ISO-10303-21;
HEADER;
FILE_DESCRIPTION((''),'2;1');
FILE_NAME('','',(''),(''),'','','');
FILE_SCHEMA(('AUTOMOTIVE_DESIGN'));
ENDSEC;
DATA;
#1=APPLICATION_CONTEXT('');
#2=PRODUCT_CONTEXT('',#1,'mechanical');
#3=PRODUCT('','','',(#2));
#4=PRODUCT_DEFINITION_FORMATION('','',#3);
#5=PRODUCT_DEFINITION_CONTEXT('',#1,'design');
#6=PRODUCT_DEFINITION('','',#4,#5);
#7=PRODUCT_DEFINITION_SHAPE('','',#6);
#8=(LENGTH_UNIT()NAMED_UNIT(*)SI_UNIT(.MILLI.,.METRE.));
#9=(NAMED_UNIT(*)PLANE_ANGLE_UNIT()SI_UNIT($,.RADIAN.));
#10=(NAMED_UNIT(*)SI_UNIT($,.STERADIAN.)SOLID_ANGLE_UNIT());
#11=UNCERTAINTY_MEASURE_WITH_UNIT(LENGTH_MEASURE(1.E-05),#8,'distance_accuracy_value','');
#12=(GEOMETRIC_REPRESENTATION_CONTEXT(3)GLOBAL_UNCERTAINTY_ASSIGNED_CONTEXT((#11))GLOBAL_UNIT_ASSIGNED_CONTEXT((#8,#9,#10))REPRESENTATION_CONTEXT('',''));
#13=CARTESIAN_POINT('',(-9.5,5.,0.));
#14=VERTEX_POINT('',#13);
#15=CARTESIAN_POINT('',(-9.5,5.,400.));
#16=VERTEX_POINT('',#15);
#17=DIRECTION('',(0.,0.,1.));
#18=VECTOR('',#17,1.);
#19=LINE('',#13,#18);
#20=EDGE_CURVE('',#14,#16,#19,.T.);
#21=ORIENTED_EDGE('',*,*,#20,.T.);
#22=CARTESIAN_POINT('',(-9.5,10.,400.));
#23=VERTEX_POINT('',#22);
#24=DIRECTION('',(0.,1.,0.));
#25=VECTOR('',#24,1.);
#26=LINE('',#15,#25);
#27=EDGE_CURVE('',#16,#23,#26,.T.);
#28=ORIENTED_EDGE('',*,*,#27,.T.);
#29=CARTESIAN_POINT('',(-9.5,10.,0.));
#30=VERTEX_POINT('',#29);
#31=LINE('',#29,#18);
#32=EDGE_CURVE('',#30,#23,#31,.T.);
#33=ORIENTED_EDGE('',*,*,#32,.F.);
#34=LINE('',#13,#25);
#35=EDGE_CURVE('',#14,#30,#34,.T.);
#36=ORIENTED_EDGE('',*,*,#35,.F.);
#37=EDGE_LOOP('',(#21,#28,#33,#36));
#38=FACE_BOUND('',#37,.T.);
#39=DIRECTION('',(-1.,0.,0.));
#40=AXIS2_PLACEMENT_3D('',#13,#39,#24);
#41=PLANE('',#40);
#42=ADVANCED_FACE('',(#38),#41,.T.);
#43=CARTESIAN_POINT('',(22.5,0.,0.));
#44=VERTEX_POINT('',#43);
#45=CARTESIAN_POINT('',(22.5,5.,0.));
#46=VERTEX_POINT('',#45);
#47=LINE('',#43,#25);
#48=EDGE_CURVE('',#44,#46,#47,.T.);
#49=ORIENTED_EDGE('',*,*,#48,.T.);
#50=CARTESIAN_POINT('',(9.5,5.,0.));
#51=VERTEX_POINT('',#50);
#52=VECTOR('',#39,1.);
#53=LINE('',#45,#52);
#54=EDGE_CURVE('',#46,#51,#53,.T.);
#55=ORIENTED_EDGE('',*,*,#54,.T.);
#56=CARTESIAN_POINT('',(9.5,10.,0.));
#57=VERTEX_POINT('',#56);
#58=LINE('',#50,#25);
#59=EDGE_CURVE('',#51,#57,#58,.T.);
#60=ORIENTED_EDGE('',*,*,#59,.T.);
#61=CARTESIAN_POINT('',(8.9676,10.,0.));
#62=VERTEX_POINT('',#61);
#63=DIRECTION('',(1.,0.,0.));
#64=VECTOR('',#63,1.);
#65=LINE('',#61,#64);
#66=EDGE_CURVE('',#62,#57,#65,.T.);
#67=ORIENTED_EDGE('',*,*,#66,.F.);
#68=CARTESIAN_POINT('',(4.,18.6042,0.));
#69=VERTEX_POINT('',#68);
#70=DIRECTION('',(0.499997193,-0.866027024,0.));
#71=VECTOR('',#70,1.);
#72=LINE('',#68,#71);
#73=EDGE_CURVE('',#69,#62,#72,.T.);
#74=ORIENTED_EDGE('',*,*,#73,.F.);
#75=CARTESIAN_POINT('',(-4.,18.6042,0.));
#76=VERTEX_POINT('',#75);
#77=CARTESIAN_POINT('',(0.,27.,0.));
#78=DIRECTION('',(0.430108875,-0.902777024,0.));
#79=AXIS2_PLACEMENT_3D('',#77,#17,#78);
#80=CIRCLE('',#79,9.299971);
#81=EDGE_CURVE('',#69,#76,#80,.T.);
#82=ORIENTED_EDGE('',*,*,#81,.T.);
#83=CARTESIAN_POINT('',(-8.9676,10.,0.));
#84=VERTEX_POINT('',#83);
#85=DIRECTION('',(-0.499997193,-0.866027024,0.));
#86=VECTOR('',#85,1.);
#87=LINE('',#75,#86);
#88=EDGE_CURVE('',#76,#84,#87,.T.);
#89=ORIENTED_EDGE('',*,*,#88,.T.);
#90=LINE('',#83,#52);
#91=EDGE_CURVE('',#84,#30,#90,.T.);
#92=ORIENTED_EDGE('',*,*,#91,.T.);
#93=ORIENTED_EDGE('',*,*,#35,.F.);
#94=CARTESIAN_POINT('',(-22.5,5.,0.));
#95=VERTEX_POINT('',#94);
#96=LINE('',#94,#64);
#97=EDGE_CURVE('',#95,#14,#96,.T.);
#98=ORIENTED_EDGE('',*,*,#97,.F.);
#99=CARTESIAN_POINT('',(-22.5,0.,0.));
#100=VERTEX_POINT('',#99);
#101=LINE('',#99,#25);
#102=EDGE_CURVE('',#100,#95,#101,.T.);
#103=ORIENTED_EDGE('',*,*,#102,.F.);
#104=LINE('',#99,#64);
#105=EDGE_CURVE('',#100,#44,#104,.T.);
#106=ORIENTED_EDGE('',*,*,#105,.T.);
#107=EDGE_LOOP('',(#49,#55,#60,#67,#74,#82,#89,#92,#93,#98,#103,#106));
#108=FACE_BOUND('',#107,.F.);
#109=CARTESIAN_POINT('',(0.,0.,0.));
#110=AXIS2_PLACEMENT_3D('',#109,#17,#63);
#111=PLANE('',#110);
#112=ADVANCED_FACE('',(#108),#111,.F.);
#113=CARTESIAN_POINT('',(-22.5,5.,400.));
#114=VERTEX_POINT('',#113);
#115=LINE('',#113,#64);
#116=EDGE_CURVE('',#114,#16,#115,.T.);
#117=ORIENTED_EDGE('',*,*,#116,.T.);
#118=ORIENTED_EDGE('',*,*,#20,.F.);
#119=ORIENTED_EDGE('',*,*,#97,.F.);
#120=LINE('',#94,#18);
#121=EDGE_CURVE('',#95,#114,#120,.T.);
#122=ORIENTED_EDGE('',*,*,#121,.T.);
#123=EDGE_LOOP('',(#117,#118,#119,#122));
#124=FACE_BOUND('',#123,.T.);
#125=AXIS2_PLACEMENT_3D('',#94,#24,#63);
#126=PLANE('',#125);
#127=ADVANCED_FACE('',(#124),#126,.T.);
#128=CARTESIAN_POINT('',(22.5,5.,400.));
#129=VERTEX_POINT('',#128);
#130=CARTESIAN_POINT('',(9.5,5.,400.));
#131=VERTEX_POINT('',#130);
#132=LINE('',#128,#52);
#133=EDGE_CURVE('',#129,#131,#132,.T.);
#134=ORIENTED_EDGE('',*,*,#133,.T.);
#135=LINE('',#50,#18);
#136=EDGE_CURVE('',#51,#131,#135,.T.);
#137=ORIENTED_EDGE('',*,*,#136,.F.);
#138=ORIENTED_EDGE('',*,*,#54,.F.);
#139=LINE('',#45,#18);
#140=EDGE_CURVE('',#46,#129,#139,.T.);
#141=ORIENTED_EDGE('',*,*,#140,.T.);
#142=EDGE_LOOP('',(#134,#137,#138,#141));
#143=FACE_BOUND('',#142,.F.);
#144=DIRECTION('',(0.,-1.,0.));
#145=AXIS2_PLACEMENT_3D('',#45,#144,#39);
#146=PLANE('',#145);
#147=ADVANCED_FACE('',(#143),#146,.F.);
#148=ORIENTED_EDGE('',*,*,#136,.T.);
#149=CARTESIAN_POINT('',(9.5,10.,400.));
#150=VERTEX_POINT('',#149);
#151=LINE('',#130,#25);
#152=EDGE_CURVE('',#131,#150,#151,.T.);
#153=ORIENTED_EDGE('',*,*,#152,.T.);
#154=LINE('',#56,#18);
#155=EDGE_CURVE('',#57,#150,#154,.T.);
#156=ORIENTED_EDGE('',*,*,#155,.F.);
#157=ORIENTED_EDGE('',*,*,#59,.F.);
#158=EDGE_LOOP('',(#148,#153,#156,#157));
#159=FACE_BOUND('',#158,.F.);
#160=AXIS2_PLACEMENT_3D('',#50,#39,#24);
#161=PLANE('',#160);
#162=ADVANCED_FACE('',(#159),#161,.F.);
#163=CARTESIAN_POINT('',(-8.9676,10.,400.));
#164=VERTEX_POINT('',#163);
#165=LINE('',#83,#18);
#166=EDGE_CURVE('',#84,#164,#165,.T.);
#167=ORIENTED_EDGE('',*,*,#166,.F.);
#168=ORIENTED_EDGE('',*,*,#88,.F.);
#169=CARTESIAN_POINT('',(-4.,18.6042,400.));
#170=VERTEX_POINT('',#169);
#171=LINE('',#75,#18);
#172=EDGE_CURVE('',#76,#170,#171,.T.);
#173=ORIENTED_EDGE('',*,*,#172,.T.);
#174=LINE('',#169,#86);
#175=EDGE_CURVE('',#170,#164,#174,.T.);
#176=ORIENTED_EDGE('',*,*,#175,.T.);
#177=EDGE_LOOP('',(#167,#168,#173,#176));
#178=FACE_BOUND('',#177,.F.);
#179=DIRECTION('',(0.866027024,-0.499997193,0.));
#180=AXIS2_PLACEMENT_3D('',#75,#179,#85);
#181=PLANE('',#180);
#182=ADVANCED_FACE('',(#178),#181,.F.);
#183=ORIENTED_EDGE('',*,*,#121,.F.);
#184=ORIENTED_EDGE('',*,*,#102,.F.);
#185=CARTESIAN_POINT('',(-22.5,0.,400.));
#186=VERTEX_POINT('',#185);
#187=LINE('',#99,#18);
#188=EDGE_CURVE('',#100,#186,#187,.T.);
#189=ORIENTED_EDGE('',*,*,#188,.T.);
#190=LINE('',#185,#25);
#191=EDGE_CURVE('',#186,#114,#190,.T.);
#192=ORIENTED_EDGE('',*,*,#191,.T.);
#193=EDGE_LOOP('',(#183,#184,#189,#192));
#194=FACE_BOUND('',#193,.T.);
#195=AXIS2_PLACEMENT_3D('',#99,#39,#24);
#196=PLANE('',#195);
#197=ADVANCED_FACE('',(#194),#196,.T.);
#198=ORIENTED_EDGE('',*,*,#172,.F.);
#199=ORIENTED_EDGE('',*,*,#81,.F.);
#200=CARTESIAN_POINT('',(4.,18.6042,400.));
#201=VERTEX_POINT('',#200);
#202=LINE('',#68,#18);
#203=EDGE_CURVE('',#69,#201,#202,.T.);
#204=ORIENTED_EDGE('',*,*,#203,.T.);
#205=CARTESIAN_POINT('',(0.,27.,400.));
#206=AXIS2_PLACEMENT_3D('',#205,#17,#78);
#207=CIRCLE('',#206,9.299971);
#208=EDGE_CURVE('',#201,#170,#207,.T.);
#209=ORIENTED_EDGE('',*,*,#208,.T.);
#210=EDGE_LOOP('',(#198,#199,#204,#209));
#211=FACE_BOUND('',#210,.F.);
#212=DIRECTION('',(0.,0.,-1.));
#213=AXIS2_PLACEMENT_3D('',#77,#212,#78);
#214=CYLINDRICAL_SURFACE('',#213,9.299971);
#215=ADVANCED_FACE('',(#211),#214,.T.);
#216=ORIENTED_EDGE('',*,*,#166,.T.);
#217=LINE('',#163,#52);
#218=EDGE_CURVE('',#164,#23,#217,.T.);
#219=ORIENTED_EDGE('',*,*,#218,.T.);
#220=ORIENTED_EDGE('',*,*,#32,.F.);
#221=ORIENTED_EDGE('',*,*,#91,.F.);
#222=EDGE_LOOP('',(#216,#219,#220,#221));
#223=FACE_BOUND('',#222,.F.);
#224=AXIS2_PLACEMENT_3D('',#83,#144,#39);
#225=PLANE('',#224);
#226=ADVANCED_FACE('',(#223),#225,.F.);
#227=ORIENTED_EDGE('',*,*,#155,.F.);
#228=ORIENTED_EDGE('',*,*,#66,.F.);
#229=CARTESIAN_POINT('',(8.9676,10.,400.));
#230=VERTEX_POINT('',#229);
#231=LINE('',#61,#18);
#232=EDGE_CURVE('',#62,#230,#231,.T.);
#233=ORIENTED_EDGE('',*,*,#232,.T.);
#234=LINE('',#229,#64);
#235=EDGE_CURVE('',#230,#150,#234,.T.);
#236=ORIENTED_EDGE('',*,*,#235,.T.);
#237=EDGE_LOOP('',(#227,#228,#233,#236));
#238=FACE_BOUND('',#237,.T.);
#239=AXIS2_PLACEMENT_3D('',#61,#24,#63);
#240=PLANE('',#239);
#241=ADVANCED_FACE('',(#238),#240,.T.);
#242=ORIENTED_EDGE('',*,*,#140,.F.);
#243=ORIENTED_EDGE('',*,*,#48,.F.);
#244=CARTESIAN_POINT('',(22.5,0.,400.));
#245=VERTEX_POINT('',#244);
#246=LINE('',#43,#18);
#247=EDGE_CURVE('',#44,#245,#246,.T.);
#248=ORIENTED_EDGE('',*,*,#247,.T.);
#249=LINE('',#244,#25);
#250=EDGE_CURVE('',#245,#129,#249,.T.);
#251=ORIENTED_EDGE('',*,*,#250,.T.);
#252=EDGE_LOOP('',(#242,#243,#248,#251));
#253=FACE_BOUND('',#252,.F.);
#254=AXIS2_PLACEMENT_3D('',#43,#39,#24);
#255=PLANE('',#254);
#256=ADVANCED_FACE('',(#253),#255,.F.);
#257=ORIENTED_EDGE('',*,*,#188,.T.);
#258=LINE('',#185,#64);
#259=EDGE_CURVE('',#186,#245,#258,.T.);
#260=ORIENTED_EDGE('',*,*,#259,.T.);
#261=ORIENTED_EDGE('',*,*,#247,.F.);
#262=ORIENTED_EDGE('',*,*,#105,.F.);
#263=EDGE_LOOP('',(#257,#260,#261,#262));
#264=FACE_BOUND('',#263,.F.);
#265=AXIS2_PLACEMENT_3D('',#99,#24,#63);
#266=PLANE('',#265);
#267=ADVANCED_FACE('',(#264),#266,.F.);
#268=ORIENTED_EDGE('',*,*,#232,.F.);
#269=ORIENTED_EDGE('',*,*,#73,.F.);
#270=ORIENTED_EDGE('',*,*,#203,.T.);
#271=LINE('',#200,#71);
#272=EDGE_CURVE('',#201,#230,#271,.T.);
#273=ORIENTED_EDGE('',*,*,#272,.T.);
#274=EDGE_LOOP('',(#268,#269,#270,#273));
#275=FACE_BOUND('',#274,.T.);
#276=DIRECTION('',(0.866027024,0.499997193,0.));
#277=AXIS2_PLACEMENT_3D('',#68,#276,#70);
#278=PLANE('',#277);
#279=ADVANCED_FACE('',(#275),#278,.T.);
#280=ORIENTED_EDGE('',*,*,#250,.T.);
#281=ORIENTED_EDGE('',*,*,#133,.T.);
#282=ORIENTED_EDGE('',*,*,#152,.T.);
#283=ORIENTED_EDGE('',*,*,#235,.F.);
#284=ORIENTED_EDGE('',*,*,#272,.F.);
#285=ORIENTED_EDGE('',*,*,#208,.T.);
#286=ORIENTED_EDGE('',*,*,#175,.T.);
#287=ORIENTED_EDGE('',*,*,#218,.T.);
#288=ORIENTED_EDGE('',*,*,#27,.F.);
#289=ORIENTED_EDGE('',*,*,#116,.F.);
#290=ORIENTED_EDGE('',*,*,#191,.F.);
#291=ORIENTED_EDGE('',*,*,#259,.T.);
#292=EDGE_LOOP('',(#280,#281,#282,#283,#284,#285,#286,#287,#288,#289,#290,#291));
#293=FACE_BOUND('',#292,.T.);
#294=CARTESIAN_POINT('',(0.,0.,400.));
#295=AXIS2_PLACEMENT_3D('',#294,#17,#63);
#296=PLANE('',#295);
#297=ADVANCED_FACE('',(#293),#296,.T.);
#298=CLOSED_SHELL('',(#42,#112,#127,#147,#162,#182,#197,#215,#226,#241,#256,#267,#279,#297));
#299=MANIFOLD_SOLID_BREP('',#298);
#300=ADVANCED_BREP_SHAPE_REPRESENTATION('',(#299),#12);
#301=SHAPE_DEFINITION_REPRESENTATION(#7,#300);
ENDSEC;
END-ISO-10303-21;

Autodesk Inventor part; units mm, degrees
ref_plane "YZ Plane" through (0, 0, 0) normal (1, 0, 0) x (0, 1, 0)
ref_plane "XZ Plane" through (0, 0, 0) normal (0, 1, 0) x (-1, 0, 0)
ref_plane "XY Plane" through (0, 0, 0) normal (0, 0, 1) x (1, 0, 0)
sketch "Sketch1" plane through (0, 0, 0) normal (0, 0, 1) x (1, 0, 0)
  line L0 (-22.5, 0) -> (22.5, 0)
  line L1 (22.5, 0) -> (22.5, 5)
  line L2 (-22.5, 0) -> (-22.5, 5)
  line L3 (-22.5, 5) -> (-9.5, 5)
  line L4 (22.5, 5) -> (9.5, 5)
  line L5 (-9.5, 5) -> (-9.5, 10)
  line L6 (9.5, 5) -> (9.5, 10)
  arc A0 (4, 18.6042) -> (-4, 18.6042) centre (0, 27) ccw
  line L7 (4, 18.6042) -> (8.9676, 10)
  line L8 (-4, 18.6042) -> (-8.9676, 10)
  line L9 (-9.5, 10) -> (9.5, 10) construction
  line L10 (-8.9676, 10) -> (-9.5, 10) construction
  line L11 (-8.9676, 10) -> (-9.5, 10)
  line L12 (8.9676, 10) -> (9.5, 10)
  line L13 (-11.4601, 5) -> (-11.4601, 0) construction
  line L14 (-16.9601, 5) -> (-16.9601, 0) construction
  line L15 (13.0399, 5) -> (13.0399, 0) construction
  line L16 (18.5399, 5) -> (18.5399, 0) construction
  arc A1 (-4, 18.6042) -> (4, 18.6042) centre (0, 27) ccw construction
  point P0 (0, 0)
  point P1 (0, 0)
  point P2 (0, 17.7)
  point P3 (15.7899, 5)
  point P4 (-14.2101, 5)
  dimension "B" = 45
  dimension "t" = 5
  dimension "d2" = 5
  dimension "dimensionf" = 19
  dimension "d4" = 13
  dimension "Y" = 10
  dimension "d6" = 5
  dimension "d" = 18.6
  dimension "e" = 22.5
  dimension "dimensionH" = 17.7
  dimension "dimensionh" = 27
  dimension "x" = 8
  dimension "d16" = 4
  dimension "dimensionc" = 30
  dimension "d21" = 6.7101
  dimension "s1" = 5.5
  dimension "d23" = 5.5
  dimension "d24" = 2.75
  dimension "d25" = 2.75
extrude "Extrusion1" add sketch "Sketch1" along normal blind 400
equation "\"d2\" = t"
equation "\"d16\" = 0.5 * x"
properties part number "sbr20_400mm"
